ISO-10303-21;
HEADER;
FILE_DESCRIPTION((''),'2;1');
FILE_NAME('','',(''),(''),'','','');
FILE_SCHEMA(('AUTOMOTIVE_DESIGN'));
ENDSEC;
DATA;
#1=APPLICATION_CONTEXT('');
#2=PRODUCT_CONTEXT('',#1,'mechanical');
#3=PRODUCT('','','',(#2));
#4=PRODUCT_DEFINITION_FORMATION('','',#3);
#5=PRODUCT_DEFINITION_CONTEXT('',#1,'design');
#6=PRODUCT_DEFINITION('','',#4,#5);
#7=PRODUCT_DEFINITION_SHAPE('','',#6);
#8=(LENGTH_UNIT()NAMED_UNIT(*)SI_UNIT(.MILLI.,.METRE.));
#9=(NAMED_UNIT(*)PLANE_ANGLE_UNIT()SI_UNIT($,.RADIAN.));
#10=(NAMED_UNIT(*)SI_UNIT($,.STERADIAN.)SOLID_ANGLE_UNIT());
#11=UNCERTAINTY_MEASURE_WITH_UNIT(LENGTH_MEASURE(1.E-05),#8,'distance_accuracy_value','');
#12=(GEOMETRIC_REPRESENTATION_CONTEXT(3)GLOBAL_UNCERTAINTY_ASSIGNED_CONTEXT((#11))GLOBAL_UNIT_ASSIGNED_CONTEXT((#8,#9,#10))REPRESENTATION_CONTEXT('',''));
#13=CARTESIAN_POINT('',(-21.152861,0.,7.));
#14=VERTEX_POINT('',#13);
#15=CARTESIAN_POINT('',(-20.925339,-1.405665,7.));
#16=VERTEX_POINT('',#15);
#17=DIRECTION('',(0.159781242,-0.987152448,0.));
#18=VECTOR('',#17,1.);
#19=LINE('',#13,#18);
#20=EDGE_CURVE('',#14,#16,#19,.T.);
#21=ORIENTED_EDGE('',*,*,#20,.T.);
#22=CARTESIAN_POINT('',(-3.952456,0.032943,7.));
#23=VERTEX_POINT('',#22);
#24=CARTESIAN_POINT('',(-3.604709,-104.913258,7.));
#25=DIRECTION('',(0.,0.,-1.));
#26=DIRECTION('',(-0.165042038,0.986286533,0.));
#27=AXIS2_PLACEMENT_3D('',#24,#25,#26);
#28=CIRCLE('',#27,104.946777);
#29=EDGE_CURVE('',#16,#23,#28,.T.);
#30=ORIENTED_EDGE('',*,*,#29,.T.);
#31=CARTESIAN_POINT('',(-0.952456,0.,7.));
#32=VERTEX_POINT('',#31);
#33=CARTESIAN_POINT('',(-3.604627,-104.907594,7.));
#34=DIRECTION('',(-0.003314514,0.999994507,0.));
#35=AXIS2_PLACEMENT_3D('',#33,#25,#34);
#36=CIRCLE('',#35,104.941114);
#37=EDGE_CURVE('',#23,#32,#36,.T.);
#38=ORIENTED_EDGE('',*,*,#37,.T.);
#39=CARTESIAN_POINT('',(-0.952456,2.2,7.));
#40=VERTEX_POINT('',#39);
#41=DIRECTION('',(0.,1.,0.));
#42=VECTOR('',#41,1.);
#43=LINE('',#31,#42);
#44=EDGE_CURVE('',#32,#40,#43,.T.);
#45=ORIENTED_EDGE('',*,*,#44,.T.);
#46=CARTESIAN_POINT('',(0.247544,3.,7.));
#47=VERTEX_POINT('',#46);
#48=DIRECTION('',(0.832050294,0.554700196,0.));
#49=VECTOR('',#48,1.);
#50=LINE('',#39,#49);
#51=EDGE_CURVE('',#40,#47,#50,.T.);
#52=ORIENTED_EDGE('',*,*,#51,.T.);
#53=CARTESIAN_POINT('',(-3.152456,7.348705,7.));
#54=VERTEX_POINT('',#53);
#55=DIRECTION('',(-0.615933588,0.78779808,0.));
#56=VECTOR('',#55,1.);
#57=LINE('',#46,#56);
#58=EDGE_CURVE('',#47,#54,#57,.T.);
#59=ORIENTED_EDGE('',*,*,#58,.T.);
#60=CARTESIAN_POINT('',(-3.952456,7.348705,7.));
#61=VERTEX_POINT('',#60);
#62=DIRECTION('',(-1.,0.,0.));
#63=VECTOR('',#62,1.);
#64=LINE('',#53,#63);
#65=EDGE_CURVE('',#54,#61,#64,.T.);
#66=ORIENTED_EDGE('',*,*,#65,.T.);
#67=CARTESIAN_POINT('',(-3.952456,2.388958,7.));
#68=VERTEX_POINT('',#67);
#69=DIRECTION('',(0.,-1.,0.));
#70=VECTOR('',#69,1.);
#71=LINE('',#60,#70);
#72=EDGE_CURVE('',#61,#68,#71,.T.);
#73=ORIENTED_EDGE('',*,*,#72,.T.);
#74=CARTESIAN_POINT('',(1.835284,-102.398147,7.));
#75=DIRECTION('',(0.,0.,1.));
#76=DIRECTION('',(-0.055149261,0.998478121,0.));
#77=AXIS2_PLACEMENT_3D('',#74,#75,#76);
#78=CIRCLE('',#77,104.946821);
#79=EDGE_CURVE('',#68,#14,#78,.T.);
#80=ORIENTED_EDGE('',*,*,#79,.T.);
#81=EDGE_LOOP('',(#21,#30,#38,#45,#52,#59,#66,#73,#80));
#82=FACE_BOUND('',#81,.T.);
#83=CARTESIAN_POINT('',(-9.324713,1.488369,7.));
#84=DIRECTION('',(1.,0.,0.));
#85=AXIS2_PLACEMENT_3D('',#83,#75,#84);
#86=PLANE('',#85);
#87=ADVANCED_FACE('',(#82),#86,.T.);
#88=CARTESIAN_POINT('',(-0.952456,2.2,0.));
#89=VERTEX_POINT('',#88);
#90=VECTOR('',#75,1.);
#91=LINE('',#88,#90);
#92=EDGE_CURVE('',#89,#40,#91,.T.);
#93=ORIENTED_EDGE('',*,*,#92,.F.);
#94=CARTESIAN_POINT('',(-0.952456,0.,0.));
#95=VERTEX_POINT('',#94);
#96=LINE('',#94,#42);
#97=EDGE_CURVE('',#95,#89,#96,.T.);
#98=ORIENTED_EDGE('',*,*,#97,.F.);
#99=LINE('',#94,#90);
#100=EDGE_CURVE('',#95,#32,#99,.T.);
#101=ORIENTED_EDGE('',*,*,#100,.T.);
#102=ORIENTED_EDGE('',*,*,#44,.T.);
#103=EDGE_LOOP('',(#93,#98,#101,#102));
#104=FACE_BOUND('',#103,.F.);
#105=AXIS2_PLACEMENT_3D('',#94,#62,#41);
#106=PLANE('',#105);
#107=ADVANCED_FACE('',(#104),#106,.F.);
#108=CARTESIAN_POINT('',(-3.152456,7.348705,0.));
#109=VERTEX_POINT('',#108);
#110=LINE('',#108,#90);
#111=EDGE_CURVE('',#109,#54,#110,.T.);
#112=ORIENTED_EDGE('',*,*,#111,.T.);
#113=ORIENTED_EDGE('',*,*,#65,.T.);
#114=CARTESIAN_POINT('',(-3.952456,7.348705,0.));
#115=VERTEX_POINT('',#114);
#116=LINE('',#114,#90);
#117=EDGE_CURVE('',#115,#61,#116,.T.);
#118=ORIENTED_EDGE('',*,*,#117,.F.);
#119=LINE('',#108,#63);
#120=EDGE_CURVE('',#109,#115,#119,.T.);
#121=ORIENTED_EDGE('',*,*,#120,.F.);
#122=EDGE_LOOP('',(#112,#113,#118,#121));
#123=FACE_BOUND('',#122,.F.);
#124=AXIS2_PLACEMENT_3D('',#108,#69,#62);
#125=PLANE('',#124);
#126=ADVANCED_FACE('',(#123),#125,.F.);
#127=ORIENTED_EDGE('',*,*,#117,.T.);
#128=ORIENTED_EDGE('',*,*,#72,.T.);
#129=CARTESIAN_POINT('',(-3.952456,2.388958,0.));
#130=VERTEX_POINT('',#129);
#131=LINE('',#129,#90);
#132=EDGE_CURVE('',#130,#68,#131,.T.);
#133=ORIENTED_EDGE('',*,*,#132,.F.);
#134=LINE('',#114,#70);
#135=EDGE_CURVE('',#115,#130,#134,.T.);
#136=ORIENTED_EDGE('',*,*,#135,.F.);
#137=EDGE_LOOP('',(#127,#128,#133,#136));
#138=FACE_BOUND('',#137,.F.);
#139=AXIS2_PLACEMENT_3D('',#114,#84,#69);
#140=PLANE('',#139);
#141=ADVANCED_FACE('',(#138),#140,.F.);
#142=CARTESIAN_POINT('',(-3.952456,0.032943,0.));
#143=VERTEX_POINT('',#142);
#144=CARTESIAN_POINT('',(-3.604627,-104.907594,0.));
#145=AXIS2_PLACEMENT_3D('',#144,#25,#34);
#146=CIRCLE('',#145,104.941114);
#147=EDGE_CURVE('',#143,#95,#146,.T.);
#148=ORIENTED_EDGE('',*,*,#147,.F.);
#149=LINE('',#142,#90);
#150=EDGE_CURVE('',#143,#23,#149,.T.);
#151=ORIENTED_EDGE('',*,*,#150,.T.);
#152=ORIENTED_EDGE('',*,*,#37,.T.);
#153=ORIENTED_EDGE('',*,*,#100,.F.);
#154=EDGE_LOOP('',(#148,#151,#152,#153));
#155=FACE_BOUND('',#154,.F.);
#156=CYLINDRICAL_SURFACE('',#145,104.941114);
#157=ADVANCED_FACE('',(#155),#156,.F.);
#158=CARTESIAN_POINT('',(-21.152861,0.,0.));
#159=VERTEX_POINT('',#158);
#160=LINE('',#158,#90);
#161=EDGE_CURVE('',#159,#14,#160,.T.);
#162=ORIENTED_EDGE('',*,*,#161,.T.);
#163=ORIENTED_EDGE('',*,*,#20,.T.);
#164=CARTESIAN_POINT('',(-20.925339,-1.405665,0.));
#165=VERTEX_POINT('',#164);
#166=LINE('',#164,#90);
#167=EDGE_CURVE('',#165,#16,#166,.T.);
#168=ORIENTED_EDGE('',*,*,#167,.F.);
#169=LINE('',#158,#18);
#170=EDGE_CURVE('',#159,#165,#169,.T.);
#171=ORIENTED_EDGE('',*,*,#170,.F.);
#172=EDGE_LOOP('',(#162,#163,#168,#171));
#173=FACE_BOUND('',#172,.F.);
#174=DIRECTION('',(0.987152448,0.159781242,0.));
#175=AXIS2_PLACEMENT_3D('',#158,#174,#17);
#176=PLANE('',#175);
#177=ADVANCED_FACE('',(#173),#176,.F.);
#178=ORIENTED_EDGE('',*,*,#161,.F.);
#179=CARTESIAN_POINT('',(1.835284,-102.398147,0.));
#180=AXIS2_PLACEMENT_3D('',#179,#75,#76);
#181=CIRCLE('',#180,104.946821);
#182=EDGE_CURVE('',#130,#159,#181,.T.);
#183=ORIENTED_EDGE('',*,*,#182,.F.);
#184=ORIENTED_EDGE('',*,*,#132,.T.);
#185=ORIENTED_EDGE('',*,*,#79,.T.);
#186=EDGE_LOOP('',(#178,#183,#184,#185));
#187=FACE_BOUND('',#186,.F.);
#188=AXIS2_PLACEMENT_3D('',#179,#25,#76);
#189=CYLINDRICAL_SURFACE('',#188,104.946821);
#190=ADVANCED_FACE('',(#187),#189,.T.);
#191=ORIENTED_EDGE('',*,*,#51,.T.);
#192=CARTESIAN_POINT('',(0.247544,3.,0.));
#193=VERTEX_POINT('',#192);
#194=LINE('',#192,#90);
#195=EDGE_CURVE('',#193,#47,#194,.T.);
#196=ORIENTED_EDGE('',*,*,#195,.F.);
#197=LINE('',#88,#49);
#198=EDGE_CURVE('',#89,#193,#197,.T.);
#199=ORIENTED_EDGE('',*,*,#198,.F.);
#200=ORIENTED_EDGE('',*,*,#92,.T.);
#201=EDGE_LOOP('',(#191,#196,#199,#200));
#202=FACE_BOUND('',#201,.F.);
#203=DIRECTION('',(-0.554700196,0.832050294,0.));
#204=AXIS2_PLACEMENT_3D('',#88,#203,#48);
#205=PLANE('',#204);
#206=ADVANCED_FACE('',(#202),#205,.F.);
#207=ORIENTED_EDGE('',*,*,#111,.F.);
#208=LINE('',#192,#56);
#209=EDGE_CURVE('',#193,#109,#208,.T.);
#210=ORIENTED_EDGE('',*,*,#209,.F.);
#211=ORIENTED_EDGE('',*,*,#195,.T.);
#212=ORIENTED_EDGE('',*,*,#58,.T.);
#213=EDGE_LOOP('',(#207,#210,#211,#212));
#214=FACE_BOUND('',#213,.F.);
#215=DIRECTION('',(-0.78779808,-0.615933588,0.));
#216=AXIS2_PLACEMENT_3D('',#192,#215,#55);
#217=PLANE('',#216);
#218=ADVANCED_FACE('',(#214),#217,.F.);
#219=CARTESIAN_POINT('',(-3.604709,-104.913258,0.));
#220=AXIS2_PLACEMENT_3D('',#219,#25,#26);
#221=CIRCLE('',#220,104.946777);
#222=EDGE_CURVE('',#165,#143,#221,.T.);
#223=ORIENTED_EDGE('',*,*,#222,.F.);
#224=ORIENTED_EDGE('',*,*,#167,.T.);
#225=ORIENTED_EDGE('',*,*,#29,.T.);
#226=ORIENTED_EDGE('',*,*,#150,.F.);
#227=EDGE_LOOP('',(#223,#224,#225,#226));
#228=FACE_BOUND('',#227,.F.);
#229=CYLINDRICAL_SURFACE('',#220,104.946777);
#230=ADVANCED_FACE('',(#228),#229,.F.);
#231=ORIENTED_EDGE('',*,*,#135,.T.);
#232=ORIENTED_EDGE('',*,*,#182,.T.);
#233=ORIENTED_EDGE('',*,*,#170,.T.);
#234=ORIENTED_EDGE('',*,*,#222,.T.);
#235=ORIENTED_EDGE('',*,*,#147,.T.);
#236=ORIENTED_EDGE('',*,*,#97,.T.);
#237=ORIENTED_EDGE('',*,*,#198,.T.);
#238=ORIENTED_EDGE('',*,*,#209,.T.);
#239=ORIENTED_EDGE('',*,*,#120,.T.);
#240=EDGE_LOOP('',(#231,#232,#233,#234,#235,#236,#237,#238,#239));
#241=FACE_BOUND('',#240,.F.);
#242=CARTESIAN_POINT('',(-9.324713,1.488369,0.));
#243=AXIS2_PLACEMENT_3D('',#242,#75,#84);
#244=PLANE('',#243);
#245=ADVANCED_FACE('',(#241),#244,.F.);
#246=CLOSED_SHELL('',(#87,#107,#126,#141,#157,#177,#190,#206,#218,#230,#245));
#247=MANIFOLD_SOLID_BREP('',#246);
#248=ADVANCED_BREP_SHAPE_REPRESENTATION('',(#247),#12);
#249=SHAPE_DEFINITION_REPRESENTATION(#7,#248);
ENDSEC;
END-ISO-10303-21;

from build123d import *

# Parameters (mm, degrees)
F1_DEPTH = 7


with BuildPart() as f1:
    # F0 (on Top) → F1 (new body)
    with BuildSketch(Plane.XY):
        with BuildLine():
            ThreePointArc((-3.952456, 0.032943), (-2.452339, 0.027193), (-0.952456, 0))
            Line((-0.952456, 0), (-0.952456, 2.2))
            Line((-0.952456, 2.2), (0.247544, 3))
            Line((0.247544, 3), (-3.152456, 7.348705))
            Line((-3.152456, 7.348705), (-3.952456, 7.348705))
            Line((-3.952456, 7.348705), (-3.952456, 2.5))
            Line((-3.952456, 2.5), (-3.952456, 2.388958))
            ThreePointArc((-3.952456, 2.388958), (-12.602156, 1.550858), (-21.152861, 0))
            Line((-21.152861, 0), (-20.925339, -1.405665))
            ThreePointArc((-20.925339, -1.405665), (-12.468133, -0.341437), (-3.952456, 0.032943))
        make_face()
    extrude(amount=F1_DEPTH)


solid = f1.part
